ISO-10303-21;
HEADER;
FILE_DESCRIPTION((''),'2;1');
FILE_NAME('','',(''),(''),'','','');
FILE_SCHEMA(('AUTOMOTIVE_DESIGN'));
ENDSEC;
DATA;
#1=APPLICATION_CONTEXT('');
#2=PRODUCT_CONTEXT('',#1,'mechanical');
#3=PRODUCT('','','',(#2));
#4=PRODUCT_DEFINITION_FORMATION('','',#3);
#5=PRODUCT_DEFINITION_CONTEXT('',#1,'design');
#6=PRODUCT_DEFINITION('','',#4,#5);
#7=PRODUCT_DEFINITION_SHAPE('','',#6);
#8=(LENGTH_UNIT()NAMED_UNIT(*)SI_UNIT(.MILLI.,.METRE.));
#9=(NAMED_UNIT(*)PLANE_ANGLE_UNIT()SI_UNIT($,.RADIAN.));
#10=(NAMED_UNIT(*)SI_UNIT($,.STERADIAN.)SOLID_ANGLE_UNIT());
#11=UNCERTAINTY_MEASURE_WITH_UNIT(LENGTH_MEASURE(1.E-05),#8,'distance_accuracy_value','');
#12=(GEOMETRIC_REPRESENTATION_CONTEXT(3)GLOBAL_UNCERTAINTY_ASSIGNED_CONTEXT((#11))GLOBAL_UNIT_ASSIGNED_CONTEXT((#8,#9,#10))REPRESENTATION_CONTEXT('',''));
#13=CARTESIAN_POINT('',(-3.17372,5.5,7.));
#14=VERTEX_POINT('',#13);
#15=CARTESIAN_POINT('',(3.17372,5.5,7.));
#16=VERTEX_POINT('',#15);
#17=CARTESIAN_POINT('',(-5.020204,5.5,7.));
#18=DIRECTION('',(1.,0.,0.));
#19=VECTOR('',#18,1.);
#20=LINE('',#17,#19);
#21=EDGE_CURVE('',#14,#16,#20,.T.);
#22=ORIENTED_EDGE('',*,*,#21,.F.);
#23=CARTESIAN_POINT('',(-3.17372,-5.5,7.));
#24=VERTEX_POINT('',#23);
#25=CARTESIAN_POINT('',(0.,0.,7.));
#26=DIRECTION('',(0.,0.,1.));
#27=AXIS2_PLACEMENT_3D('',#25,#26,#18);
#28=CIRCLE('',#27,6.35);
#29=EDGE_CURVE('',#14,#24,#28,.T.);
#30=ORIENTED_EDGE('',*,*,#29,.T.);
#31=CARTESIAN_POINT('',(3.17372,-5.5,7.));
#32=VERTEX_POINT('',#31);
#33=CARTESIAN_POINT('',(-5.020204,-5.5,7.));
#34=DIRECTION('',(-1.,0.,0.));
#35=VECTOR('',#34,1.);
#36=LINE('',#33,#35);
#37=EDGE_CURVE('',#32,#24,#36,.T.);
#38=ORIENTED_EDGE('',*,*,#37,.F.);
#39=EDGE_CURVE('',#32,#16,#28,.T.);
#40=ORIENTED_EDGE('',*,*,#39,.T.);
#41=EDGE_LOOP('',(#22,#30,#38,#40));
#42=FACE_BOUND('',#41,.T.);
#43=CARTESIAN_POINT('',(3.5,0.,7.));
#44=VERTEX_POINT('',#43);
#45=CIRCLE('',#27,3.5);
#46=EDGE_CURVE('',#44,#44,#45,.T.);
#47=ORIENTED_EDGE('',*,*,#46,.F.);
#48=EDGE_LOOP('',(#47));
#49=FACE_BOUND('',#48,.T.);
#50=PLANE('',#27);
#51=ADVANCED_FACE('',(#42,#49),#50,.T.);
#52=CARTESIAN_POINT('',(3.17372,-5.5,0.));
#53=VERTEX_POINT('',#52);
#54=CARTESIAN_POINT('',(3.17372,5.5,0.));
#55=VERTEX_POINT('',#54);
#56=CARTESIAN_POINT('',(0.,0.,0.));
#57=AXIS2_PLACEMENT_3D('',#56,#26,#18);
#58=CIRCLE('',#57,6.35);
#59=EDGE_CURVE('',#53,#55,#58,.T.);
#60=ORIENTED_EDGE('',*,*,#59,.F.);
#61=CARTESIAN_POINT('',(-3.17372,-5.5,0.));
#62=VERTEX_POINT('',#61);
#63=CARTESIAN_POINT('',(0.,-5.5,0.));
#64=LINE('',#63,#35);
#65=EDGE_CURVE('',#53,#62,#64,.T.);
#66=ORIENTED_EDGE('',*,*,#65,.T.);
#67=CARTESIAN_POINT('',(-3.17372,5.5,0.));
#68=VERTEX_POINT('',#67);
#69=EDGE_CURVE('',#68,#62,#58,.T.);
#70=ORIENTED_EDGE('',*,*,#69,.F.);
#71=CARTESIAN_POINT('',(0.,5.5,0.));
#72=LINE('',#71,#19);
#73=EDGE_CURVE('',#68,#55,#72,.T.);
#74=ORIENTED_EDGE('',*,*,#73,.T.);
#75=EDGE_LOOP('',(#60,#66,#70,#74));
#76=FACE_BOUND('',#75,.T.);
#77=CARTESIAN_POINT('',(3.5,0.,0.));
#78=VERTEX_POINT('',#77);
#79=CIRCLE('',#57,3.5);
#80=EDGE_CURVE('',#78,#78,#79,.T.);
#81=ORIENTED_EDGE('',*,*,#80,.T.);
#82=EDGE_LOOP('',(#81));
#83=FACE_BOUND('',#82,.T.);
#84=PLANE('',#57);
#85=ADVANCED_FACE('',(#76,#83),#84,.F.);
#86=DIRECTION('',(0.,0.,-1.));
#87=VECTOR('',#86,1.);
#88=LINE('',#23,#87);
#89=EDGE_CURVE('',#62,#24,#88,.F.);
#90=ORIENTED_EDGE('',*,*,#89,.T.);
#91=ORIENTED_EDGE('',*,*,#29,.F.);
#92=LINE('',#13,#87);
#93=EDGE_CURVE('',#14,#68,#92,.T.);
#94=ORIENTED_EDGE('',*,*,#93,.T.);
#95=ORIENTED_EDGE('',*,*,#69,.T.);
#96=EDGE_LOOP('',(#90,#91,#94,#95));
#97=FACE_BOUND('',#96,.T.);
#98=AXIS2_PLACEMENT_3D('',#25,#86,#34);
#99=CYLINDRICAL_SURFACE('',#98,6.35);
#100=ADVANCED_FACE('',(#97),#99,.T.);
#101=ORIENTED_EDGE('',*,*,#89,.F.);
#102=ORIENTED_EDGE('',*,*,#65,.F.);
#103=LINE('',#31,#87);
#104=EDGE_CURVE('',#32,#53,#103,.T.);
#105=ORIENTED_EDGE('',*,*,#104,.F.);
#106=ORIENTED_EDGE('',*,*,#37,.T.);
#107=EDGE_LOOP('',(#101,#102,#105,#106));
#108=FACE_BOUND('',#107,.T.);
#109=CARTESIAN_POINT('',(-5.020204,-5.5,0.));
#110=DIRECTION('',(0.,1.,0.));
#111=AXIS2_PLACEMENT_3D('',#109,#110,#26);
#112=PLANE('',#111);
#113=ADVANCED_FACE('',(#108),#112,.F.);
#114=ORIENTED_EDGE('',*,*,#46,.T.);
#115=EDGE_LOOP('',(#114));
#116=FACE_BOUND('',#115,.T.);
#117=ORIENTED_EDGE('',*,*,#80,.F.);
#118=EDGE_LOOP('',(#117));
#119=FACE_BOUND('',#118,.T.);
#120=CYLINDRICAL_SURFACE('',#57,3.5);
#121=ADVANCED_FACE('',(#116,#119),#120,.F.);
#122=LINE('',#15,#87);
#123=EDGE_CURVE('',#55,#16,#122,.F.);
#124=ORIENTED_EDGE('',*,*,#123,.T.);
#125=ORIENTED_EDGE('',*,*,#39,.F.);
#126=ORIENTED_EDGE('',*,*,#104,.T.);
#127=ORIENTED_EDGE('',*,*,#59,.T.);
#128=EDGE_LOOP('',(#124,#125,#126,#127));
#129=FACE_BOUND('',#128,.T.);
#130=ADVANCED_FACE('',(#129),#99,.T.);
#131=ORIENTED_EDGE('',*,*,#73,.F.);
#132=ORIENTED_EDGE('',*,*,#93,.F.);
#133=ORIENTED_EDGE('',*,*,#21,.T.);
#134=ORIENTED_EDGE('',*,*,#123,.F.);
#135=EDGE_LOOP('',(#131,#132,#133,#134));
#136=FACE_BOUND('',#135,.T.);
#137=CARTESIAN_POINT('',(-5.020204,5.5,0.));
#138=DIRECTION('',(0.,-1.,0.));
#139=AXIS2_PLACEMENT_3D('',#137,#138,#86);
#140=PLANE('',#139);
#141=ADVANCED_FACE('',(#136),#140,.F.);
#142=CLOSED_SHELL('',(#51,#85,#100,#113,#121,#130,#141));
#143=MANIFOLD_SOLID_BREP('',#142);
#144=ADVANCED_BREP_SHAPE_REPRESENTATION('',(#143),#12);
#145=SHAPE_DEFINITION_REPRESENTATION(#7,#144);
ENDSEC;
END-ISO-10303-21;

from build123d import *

# Parameters (mm, degrees)
ESQUISSE1_R             = 6.35
BOSS_EXTRU_1_DEPTH      = 7
ESQUISSE2_R             = 3.5
ENL_V_MAT_EXTRU_1_DEPTH = 7
ESQUISSE3_W             = 10.71653065
ESQUISSE3_H             = 1.876238016
ENL_V_MAT_EXTRU_2_DEPTH = 12.386175829


with BuildPart() as part:
    # Esquisse1 → Boss.-Extru.1 (new body)
    with BuildSketch(Plane.XY):
        Circle(ESQUISSE1_R)
    extrude(amount=BOSS_EXTRU_1_DEPTH)

    # Esquisse2 → Enlèv. mat.-Extru.1 (cut)
    with BuildSketch(Plane.XY.offset(7)):
        Circle(ESQUISSE2_R)
    extrude(amount=-ENL_V_MAT_EXTRU_1_DEPTH, mode=Mode.SUBTRACT)

    # Esquisse3 → Enlèv. mat.-Extru.2 (cut, through all)
    with BuildSketch(Plane.XY.offset(7)):
        with Locations((0.338060904, 6.438119008)):
            Rectangle(ESQUISSE3_W, ESQUISSE3_H)
        with Locations((0.338060904, -6.438119008)):
            Rectangle(ESQUISSE3_W, ESQUISSE3_H)
    extrude(amount=-ENL_V_MAT_EXTRU_2_DEPTH, mode=Mode.SUBTRACT)


solid = part.part
